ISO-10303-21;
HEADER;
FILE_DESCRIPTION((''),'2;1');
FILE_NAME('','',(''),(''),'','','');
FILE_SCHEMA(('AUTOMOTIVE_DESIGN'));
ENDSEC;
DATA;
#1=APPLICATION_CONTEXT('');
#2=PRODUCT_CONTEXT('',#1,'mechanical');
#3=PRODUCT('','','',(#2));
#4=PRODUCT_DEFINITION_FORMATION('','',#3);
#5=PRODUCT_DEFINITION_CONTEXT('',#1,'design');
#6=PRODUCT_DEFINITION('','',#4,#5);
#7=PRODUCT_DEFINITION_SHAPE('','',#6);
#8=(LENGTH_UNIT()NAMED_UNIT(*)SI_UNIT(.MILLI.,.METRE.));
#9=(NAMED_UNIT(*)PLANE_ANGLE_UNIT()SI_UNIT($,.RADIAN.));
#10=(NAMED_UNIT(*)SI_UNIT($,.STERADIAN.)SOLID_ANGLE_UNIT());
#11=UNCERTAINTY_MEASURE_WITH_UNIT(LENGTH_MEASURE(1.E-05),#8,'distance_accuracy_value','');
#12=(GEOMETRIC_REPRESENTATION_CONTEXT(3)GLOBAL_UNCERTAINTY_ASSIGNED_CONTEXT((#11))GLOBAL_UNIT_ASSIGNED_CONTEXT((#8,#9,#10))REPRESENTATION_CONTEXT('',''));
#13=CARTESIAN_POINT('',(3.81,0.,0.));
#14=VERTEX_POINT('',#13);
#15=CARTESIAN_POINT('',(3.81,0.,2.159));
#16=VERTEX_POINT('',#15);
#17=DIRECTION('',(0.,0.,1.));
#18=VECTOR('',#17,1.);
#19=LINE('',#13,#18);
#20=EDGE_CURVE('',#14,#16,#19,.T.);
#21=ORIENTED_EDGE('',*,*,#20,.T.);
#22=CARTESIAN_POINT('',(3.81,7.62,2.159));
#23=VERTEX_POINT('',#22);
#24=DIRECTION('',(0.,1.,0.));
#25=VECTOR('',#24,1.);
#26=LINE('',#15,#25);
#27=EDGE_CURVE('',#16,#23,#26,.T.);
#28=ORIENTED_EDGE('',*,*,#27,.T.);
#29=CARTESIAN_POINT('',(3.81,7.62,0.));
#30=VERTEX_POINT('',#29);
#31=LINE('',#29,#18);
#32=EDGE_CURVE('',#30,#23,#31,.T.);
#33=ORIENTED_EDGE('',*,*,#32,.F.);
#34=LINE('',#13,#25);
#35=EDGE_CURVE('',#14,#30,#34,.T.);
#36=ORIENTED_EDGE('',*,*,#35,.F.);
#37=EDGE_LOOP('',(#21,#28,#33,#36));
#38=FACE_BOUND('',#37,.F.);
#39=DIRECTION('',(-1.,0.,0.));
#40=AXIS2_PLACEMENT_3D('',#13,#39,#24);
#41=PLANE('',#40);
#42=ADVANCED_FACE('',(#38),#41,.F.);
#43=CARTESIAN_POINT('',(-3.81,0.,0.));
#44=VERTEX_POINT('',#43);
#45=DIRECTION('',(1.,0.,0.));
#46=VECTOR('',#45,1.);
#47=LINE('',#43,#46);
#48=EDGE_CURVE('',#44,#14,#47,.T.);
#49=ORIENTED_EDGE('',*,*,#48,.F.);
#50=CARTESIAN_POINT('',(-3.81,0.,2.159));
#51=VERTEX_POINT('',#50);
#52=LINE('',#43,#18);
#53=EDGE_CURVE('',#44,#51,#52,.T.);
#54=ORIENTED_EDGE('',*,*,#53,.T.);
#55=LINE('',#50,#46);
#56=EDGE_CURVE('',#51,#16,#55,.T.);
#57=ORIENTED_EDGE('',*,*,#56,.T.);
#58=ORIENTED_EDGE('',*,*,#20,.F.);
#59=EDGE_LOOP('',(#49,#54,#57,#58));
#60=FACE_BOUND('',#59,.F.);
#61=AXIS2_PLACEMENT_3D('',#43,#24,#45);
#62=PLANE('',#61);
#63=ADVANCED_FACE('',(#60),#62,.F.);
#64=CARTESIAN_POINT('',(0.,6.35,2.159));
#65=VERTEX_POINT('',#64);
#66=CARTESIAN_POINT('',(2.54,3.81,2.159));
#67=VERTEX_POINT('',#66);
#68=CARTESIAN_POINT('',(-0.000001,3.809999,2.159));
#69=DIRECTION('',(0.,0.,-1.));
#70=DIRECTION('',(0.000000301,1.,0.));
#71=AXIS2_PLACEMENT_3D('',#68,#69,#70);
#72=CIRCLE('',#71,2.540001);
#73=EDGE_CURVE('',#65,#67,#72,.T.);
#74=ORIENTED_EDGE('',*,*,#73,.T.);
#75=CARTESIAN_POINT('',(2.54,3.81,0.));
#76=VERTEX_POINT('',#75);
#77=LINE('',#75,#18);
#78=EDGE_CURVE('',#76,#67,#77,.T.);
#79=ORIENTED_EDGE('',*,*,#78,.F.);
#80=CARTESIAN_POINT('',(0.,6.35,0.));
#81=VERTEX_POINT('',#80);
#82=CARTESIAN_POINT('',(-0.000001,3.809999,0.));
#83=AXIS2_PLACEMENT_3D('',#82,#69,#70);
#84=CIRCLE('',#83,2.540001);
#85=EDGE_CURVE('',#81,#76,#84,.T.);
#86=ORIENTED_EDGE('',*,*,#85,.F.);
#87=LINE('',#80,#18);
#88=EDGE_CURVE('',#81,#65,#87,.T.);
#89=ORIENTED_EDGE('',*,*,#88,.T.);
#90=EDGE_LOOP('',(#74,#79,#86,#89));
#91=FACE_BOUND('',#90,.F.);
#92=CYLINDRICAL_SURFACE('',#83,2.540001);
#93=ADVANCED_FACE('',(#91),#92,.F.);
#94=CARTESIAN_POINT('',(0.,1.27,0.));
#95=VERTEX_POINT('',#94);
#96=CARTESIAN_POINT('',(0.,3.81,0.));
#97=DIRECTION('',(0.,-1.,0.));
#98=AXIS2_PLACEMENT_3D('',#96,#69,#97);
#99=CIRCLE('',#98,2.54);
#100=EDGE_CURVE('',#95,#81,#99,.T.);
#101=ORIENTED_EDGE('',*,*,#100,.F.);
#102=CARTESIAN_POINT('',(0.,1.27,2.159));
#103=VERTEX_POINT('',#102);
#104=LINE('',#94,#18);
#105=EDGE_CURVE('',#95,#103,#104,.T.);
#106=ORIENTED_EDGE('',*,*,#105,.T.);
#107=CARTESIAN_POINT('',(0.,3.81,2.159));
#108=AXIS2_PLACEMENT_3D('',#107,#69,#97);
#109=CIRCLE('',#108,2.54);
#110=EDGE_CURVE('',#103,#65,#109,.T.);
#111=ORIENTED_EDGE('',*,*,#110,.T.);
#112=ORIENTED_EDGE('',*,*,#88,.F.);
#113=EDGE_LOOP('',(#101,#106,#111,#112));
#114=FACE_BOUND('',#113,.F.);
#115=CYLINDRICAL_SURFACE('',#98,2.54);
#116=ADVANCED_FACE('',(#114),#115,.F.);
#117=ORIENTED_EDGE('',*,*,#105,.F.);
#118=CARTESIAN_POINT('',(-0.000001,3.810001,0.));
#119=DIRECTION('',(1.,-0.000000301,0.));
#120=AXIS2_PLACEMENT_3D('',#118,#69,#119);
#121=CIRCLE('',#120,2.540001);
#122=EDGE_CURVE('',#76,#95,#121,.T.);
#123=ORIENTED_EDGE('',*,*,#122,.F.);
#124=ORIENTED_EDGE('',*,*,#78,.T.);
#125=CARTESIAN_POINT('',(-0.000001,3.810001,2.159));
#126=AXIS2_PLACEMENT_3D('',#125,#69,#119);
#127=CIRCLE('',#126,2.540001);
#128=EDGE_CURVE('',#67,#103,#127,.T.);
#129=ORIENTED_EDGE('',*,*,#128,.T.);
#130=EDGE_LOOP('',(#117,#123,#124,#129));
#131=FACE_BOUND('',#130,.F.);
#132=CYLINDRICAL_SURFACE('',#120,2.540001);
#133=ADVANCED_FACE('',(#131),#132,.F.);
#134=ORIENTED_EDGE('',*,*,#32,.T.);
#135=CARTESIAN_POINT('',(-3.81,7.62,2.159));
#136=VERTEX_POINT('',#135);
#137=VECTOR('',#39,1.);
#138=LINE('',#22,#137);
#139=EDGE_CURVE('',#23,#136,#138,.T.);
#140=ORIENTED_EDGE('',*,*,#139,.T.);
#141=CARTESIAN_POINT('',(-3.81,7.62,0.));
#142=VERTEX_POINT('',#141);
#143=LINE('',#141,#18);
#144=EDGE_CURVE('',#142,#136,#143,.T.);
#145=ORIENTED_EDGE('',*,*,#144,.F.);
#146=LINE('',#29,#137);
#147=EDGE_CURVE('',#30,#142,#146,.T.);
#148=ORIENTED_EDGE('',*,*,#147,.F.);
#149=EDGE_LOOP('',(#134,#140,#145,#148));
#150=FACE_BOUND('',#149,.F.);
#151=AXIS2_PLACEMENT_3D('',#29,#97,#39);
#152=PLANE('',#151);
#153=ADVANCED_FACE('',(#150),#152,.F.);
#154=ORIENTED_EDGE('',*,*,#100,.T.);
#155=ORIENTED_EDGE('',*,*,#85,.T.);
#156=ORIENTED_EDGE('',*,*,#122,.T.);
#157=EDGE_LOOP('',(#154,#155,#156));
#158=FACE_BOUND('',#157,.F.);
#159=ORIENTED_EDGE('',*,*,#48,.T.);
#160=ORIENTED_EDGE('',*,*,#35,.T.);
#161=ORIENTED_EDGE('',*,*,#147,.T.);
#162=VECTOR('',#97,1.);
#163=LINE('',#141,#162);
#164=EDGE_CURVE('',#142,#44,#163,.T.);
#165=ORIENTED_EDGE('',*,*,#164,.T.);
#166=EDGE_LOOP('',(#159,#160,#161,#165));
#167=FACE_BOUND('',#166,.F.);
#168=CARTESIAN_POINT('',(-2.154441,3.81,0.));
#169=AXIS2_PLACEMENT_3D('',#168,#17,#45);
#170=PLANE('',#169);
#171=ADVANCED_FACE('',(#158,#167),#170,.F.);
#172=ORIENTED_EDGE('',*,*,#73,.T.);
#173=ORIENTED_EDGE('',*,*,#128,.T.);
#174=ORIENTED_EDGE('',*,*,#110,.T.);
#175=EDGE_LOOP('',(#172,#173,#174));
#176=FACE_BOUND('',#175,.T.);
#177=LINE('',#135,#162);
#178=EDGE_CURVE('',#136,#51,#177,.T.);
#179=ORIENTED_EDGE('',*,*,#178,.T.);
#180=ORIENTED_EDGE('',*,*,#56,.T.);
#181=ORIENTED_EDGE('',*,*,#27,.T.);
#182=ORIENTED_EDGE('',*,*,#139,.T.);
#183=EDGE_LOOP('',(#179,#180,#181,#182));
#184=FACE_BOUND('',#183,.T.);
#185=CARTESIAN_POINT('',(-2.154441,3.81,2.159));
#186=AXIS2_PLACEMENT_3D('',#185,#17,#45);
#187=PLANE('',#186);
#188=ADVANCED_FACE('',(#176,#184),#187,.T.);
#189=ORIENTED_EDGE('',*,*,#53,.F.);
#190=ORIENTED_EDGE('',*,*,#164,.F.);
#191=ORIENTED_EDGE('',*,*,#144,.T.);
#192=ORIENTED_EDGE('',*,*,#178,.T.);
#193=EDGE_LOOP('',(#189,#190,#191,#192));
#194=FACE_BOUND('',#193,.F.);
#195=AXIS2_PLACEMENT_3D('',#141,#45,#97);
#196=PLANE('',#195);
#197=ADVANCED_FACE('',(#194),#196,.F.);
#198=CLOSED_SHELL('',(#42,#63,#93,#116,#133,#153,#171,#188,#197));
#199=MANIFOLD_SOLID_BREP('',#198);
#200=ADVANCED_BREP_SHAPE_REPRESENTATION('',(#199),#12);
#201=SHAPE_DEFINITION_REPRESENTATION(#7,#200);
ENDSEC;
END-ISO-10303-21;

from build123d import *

# Parameters (mm, degrees)
F1_DEPTH = 2.159


with BuildPart() as f1:
    # F0 (on Top) → F1 (new body)
    with BuildSketch(Plane.XY):
        with BuildLine():
            Line((-3.81, 0), (0, 0))
            Line((0, 0), (0, 1.27))
            ThreePointArc((0, 1.27), (-2.54, 3.81), (0, 6.35))
            Line((0, 6.35), (0, 7.62))
            Line((0, 7.62), (-3.81, 7.62))
            Line((-3.81, 7.62), (-3.81, 0))
        make_face()
        with BuildLine():
            Line((0, 1.27), (0, 0))
            Line((0, 0), (3.81, 0))
            Line((3.81, 0), (3.81, 7.62))
            Line((3.81, 7.62), (0, 7.62))
            Line((0, 7.62), (0, 6.35))
            ThreePointArc((0, 6.35), (1.796051, 5.606051), (2.54, 3.81))
            ThreePointArc((2.54, 3.81), (1.796051, 2.013949), (0, 1.27))
        make_face()
    extrude(amount=F1_DEPTH)


solid = f1.part
